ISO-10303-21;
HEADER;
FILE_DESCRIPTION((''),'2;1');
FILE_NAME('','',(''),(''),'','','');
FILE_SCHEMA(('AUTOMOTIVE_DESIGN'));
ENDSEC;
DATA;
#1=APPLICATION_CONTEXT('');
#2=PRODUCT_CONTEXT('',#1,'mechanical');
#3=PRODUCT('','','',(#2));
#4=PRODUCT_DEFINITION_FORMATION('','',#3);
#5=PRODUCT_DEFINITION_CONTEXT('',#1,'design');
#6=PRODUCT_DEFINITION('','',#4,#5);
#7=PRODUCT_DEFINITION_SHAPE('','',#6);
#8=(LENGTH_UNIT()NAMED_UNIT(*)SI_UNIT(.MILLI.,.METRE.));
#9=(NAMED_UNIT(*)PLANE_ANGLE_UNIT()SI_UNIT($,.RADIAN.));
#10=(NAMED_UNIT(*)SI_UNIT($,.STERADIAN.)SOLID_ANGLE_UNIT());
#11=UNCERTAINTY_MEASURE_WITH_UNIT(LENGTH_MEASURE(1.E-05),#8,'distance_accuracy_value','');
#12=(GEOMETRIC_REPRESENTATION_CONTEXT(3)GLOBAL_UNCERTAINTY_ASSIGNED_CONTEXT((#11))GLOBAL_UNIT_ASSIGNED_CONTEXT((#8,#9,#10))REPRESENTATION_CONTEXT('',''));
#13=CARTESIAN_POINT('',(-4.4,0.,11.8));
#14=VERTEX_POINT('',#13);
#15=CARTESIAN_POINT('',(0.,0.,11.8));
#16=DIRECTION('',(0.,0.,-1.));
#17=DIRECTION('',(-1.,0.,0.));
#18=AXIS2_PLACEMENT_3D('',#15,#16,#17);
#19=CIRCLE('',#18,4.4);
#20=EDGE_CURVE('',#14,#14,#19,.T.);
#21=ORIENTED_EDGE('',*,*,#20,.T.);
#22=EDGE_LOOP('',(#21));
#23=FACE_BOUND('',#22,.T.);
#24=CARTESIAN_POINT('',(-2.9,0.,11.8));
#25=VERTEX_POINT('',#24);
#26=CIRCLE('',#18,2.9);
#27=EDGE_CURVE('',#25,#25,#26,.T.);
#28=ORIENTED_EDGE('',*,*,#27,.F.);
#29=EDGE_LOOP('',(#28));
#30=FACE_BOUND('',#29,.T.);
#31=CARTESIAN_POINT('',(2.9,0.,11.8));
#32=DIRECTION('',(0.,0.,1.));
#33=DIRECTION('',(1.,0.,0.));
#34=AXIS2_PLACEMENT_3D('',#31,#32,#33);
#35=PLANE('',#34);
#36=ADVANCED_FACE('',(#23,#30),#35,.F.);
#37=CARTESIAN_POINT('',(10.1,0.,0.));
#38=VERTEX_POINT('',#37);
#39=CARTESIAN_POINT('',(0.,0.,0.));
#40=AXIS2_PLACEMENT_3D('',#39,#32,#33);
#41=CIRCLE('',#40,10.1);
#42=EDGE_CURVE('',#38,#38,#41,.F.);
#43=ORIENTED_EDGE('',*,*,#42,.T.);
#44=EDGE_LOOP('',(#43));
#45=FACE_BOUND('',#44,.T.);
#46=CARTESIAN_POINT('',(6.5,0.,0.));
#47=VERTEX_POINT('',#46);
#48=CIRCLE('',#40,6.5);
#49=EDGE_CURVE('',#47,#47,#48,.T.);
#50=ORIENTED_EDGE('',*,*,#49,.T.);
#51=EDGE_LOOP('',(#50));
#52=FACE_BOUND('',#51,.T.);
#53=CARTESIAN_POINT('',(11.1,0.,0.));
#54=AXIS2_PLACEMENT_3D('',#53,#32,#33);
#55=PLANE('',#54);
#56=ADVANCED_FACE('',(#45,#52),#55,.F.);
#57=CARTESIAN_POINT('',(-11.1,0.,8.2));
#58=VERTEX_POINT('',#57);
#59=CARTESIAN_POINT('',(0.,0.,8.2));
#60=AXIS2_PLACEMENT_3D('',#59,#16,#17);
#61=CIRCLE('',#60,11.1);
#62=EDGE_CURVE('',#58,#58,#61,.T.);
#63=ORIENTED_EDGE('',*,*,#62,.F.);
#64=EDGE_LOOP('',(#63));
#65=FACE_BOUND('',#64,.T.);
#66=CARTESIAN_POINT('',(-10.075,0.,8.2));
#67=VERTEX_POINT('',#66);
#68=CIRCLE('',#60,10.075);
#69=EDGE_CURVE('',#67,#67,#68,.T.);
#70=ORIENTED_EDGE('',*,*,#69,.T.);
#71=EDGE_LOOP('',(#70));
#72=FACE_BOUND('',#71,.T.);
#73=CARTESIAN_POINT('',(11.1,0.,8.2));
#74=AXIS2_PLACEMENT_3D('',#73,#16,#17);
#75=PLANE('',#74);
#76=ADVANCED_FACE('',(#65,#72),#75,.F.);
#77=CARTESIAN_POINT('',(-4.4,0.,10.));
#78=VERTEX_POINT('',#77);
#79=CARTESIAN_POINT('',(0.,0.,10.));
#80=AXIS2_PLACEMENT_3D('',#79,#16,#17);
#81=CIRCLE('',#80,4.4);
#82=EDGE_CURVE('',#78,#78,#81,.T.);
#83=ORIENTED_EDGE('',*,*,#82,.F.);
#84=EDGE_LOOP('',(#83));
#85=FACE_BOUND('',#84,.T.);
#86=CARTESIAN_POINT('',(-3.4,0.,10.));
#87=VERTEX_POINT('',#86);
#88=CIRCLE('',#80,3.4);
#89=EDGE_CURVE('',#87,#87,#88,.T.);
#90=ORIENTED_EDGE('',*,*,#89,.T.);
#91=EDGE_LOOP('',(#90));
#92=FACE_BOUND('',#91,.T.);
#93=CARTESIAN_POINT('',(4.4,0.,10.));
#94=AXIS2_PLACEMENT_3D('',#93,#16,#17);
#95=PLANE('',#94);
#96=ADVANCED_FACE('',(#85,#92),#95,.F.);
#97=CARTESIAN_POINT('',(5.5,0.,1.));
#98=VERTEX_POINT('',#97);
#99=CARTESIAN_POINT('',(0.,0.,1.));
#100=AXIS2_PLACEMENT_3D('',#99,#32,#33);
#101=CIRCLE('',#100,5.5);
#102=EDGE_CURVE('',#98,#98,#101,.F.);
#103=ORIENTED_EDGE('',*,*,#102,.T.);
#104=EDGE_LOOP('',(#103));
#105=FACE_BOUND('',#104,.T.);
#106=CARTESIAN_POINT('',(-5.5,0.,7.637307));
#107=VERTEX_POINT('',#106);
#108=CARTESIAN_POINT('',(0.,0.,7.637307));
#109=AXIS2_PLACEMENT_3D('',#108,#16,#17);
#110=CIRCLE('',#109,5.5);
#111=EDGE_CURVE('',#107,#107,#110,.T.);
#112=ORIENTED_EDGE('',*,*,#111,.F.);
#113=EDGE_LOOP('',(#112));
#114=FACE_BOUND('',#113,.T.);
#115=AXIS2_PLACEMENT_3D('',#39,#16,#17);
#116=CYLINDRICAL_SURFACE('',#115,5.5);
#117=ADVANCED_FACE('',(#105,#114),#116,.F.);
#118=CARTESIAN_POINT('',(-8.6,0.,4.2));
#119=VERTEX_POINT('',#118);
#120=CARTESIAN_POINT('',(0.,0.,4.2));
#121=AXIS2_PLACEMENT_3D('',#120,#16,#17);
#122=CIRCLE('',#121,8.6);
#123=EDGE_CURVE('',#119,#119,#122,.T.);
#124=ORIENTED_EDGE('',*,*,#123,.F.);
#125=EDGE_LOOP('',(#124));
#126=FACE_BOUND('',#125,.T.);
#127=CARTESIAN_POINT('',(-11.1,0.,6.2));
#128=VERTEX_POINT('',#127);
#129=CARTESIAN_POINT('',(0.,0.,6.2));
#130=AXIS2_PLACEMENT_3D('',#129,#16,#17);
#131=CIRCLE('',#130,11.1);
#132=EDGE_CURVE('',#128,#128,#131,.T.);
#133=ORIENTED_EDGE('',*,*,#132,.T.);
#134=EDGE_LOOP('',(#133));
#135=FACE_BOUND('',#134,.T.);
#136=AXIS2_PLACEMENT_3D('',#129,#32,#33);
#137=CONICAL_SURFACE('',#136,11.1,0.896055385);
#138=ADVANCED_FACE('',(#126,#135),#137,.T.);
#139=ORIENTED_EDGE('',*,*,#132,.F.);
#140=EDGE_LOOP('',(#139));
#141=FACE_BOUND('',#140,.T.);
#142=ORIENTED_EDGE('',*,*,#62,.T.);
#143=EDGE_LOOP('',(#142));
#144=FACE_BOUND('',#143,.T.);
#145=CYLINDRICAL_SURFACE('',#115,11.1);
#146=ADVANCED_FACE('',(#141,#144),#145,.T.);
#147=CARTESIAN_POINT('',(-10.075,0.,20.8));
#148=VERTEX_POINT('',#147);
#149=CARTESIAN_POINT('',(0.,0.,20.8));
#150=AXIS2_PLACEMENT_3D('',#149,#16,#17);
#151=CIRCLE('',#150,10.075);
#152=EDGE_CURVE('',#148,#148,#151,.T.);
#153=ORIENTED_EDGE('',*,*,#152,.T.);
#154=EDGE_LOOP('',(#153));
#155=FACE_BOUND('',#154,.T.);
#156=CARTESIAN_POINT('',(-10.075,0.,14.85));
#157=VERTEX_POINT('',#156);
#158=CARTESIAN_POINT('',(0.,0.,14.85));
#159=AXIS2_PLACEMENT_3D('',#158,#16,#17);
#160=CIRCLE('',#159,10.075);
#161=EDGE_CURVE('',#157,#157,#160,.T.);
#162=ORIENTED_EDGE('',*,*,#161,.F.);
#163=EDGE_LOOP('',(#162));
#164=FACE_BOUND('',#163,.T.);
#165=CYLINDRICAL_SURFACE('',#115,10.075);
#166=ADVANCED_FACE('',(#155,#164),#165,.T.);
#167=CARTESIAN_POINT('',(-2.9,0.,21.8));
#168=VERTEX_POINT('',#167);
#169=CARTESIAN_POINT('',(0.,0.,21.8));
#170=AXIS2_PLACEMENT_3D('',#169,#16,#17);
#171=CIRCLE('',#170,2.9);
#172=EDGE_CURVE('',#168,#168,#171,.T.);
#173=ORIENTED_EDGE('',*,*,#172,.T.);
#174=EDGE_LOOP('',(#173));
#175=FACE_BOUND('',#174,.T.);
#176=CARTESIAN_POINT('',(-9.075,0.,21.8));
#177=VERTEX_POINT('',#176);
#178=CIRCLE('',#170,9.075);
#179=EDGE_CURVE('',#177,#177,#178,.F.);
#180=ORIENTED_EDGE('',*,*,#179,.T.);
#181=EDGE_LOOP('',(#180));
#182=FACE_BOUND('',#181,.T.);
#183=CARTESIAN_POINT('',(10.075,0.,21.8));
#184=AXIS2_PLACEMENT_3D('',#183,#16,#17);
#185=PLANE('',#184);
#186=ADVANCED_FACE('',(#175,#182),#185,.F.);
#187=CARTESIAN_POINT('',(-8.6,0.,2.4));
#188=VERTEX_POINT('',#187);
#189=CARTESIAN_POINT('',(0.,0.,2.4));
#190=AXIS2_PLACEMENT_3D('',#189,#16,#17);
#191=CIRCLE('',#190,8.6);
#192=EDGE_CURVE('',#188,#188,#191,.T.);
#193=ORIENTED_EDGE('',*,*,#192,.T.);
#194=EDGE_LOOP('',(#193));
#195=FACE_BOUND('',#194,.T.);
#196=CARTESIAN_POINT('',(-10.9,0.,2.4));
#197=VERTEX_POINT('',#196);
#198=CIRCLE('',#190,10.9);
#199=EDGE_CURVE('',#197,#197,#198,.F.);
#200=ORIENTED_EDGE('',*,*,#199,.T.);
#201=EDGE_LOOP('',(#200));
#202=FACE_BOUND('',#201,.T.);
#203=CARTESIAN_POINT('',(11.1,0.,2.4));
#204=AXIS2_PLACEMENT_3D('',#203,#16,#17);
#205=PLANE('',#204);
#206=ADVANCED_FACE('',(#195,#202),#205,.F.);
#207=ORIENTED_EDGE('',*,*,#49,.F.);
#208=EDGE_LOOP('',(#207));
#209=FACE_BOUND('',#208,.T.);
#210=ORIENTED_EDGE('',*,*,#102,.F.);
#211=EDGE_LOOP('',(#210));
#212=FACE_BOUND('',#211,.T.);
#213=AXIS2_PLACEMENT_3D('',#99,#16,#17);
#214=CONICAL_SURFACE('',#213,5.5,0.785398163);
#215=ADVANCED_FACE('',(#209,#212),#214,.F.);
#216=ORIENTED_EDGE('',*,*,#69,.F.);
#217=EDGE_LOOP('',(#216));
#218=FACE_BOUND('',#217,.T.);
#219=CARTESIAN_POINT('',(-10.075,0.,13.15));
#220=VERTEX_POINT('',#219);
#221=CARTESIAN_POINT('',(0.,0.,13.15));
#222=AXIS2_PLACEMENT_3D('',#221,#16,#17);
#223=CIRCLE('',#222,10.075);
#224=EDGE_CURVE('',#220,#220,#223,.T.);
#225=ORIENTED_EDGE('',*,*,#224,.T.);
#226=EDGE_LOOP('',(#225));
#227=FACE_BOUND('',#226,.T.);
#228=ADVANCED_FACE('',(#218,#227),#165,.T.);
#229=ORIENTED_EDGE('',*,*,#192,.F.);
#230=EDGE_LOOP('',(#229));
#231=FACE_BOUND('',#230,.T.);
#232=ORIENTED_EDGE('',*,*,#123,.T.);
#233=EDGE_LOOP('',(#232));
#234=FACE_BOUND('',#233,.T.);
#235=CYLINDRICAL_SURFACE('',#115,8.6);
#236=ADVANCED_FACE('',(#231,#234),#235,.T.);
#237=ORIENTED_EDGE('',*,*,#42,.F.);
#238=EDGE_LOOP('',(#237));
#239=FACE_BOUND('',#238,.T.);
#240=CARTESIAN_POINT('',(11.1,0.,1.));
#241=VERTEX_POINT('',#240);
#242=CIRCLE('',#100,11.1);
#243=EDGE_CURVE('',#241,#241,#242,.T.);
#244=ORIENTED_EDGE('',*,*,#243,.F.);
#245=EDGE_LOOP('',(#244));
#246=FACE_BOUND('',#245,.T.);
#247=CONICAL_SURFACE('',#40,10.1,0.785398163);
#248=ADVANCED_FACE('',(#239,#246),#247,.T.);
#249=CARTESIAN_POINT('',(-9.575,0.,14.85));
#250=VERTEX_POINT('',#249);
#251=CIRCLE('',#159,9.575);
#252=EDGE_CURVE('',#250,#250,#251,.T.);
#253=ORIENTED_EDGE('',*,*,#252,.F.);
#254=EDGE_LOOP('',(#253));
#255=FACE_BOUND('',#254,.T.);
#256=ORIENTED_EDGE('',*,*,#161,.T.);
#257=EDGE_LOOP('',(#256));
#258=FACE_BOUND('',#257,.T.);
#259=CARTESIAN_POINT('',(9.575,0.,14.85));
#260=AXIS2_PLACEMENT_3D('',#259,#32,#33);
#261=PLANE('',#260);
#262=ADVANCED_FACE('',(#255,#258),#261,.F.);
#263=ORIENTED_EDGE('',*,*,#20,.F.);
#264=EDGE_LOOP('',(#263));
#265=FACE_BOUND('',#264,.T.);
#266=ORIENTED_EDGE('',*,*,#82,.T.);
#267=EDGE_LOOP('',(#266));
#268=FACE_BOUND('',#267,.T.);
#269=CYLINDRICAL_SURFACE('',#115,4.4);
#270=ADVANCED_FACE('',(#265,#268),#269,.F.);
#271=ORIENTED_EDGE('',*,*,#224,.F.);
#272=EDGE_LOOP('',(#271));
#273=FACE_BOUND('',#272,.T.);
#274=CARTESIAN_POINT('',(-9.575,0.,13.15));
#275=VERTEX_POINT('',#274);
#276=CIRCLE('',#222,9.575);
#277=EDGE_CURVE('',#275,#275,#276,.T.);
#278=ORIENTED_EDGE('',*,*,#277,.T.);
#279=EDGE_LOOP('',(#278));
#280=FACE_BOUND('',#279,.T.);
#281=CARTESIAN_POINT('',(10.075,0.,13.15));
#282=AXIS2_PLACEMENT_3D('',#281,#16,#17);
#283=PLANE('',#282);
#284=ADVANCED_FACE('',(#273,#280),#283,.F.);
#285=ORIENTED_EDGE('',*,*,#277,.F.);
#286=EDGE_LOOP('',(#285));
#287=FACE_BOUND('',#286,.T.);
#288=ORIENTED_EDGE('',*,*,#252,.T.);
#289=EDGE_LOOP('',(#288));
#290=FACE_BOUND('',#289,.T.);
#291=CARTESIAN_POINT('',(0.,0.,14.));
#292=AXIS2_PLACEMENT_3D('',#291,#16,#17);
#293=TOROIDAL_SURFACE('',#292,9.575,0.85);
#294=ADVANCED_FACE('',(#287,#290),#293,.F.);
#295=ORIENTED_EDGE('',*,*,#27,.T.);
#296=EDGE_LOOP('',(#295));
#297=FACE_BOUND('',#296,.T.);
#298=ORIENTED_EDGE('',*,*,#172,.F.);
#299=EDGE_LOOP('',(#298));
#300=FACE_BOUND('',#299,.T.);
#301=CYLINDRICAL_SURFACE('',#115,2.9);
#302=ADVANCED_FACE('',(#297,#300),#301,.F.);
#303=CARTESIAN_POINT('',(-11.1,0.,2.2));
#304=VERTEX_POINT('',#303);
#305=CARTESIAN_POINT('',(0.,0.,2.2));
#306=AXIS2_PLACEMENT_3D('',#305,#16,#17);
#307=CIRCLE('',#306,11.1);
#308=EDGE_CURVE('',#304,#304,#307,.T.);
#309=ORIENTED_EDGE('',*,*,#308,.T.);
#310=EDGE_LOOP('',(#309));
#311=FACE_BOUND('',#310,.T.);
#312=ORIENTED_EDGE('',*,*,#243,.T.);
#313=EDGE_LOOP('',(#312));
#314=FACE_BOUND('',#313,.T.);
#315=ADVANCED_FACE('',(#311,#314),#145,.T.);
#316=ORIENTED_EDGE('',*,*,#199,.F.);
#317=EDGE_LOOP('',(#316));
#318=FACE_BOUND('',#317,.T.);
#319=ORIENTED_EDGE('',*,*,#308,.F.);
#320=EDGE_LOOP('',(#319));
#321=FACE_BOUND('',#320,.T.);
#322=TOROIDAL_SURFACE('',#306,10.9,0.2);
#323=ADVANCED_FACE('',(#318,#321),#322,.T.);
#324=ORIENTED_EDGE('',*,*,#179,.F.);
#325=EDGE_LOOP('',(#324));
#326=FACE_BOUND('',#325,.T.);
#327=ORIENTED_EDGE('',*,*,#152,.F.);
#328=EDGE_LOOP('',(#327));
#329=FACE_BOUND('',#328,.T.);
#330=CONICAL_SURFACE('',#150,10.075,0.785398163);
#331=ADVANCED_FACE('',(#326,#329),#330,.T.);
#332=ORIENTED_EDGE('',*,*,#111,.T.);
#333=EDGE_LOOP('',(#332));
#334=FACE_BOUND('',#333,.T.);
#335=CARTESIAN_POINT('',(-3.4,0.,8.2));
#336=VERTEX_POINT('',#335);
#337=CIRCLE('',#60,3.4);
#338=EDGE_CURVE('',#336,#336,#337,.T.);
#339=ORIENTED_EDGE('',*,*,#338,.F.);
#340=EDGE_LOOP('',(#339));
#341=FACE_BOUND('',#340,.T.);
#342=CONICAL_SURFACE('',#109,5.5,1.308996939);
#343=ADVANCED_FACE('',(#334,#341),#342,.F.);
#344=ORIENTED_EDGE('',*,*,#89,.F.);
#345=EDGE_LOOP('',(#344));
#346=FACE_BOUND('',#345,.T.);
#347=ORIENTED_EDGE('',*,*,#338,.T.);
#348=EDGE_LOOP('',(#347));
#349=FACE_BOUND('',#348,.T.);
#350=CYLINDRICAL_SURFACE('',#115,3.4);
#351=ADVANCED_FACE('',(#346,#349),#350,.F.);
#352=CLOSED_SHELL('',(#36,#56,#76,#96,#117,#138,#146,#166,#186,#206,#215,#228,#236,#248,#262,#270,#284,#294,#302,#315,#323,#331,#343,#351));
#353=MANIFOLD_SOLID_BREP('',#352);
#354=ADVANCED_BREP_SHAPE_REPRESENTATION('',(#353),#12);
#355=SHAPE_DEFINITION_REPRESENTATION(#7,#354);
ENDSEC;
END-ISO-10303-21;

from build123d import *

# Parameters (mm, degrees)
CHAMFER_1_SIZE = 1
CHAMFER_2_SIZE = 1
FILLET_1_R     = 0.2


with BuildPart() as part:
    # 스케치3 → 회전2 (revolve)
    with BuildSketch(Plane(origin=(0, 0, 0), x_dir=(1, 0, 0), z_dir=(0, 1, 0)), mode=Mode.PRIVATE) as revolve_2_sk:
        with BuildLine():
            Line((11.1, 0), (11.1, -2.4))
            Line((11.1, -2.4), (8.6, -2.4))
            Line((8.6, -2.4), (8.6, -4.2))
            Line((8.6, -4.2), (11.1, -6.2))
            Line((11.1, -6.2), (11.1, -8.2))
            Line((11.1, -8.2), (10.075, -8.2))
            Line((10.075, -8.2), (10.075, -13.15))
            Line((10.075, -13.15), (9.575, -13.15))
            ThreePointArc((9.575, -13.15), (8.725, -14), (9.575, -14.85))
            Line((9.575, -14.85), (10.075, -14.85))
            Line((10.075, -14.85), (10.075, -21.8))
            Line((10.075, -21.8), (2.9, -21.8))
            Line((2.9, -21.8), (2.9, -11.8))
            Line((2.9, -11.8), (4.4, -11.8))
            Line((4.4, -11.8), (4.4, -10))
            Line((4.4, -10), (3.4, -10))
            Line((3.4, -10), (3.4, -8.2))
            Line((3.4, -8.2), (5.5, -7.637306696))
            Line((5.5, -7.637306696), (5.5, 0))
            Line((5.5, 0), (11.1, 0))
        make_face()
    revolve(revolve_2_sk.sketch.rotate(Axis((0, 0, 0), (0, 0, 1)), 180), axis=Axis((0, 0, 0), (0, 0, 1)))

    # 모따기1
    chamfer_1_edges = [part.edges().sort_by_distance(p)[0] for p in [
        (10.075, 0, 21.8),
        (5.5, 0, 0),
    ]]
    chamfer(chamfer_1_edges, length=CHAMFER_1_SIZE)

    # 모따기2
    chamfer_2_edges = [part.edges().sort_by_distance(p)[0] for p in [
        (11.1, 0, 0),
    ]]
    chamfer(chamfer_2_edges, length=CHAMFER_2_SIZE)

    # 필렛1
    fillet_1_edges = [part.edges().sort_by_distance(p)[0] for p in [
        (11.1, 0, 2.4),
    ]]
    fillet(fillet_1_edges, radius=FILLET_1_R)


solid = part.part
